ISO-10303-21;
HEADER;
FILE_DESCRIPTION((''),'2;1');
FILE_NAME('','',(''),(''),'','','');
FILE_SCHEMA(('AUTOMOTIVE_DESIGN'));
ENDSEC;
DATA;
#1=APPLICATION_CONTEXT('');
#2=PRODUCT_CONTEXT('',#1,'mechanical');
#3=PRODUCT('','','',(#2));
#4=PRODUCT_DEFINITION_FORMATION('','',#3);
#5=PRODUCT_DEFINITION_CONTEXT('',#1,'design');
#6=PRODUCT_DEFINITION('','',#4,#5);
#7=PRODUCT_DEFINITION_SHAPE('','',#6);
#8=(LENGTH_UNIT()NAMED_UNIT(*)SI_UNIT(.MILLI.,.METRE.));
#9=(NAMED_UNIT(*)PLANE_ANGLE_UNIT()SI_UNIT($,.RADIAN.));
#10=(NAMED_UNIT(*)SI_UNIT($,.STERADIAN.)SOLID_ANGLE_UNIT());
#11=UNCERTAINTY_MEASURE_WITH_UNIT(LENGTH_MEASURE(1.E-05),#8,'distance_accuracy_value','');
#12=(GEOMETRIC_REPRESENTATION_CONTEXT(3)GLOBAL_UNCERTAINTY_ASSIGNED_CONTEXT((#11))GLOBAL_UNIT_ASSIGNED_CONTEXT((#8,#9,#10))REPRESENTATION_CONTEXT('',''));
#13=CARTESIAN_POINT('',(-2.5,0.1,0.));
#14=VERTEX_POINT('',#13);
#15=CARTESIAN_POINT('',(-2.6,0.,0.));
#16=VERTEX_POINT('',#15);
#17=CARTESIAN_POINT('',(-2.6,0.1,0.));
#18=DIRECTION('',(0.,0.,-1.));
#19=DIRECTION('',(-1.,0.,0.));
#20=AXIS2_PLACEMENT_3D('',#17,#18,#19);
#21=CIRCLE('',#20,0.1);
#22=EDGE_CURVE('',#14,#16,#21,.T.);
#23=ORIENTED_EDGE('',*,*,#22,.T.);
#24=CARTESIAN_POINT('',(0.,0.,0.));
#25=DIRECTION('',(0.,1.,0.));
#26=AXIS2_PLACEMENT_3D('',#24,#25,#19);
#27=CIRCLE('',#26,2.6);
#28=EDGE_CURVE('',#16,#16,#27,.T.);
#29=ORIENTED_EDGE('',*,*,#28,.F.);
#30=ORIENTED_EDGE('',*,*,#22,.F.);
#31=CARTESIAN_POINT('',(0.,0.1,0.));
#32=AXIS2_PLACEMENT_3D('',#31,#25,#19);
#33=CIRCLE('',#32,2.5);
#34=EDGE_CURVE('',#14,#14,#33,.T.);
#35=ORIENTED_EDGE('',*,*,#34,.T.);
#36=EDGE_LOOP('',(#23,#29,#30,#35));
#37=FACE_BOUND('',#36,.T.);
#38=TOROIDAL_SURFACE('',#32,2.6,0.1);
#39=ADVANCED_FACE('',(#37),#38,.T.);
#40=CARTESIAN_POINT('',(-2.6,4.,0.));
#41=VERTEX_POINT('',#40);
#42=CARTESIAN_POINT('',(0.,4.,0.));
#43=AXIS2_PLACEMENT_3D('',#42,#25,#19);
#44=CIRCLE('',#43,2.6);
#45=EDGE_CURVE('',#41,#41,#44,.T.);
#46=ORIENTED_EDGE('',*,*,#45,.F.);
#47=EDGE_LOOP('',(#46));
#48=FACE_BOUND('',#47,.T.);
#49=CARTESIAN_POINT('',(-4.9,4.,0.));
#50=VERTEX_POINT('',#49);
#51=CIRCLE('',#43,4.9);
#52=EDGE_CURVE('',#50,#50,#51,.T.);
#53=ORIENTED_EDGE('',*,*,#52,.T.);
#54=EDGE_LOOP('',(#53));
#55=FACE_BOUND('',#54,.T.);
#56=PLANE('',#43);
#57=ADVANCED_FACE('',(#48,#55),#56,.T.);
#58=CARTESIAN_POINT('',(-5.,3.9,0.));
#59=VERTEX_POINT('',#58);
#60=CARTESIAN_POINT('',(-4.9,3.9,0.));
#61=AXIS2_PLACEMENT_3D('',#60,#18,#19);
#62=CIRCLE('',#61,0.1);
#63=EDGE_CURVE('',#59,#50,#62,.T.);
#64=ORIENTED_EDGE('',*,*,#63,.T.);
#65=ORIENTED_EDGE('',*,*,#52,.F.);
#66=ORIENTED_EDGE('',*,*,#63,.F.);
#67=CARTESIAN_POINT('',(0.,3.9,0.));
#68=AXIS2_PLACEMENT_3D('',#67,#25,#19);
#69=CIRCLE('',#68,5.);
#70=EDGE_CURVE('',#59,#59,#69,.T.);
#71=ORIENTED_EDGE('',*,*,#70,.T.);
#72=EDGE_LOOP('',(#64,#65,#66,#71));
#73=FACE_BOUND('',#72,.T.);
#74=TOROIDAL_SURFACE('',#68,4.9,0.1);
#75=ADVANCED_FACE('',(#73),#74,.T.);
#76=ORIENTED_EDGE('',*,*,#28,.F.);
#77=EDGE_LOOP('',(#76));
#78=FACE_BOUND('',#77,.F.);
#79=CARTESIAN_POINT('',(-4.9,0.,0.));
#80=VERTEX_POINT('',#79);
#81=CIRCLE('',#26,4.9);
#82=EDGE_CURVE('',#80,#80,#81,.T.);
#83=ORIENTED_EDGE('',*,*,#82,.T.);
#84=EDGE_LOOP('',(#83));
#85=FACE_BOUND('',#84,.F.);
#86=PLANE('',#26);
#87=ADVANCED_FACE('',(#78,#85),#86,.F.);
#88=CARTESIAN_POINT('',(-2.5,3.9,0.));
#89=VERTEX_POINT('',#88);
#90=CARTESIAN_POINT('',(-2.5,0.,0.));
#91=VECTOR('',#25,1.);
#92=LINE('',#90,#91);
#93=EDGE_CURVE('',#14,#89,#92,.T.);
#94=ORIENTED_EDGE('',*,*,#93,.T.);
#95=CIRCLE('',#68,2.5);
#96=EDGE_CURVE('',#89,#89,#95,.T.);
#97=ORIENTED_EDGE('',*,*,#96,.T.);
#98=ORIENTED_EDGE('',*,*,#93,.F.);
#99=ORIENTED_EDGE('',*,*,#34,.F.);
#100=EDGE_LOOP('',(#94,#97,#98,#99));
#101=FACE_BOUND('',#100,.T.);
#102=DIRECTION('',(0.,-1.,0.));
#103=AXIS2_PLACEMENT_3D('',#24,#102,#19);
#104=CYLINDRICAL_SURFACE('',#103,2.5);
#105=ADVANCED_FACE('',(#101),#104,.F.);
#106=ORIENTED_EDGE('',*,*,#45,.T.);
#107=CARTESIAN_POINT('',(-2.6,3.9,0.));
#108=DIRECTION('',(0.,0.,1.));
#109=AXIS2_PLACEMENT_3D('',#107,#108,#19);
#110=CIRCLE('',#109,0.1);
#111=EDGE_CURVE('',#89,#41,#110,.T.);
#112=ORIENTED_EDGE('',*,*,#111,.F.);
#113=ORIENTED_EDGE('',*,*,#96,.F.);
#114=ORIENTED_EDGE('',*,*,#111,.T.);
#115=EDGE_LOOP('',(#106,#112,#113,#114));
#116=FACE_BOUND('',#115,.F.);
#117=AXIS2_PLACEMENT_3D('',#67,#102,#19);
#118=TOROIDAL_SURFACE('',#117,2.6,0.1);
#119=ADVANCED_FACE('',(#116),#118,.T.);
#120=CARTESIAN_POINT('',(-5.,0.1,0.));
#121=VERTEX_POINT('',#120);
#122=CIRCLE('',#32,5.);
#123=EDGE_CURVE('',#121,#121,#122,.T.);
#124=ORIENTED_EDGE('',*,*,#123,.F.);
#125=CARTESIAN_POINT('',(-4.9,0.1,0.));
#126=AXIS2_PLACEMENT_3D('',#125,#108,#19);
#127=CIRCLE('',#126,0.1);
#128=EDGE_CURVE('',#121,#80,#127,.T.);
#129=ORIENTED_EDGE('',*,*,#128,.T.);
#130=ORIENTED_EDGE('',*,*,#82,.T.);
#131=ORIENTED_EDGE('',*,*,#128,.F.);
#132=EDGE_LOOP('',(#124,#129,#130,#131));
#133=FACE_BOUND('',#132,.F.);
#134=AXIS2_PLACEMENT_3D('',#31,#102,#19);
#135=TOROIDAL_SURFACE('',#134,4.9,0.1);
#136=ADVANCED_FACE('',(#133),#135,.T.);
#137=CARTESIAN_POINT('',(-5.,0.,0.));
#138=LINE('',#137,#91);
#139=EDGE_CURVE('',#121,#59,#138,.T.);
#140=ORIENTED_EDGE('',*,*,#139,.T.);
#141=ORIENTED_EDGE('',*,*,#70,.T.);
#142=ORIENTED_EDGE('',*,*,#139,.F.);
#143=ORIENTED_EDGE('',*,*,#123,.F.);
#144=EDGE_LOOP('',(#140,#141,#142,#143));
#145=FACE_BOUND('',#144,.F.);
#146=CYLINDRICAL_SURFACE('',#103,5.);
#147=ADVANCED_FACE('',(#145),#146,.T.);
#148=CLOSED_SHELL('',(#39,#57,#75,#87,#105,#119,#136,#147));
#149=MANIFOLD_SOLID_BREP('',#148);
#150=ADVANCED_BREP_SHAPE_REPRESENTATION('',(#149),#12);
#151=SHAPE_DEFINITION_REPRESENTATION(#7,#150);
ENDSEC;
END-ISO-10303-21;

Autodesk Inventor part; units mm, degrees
ref_plane "YZ Plane" through (0, 0, 0) normal (1, 0, 0) x (0, 1, 0)
ref_plane "XZ Plane" through (0, 0, 0) normal (0, 1, 0) x (-1, 0, 0)
ref_plane "XY Plane" through (0, 0, 0) normal (0, 0, 1) x (1, 0, 0)
sketch "Sketch1" plane through (0, 0, 0) normal (0, 1, 0) x (-1, 0, 0)
  circle A0 centre (0, 0) radius 2.5
  circle A1 centre (0, 0) radius 5
  dimension "d0" = 5
  dimension "d1" = 10
extrude "Extrusion1" add sketch "Sketch1" along normal blind 4
fillet "Fillet1" radius 0.1 4 edges at (2.5, 4, 0) (5, 4, 0) (2.5, 0, 0) (5, 0, 0)
properties part number "BEARING" material "Stainless Steel"
